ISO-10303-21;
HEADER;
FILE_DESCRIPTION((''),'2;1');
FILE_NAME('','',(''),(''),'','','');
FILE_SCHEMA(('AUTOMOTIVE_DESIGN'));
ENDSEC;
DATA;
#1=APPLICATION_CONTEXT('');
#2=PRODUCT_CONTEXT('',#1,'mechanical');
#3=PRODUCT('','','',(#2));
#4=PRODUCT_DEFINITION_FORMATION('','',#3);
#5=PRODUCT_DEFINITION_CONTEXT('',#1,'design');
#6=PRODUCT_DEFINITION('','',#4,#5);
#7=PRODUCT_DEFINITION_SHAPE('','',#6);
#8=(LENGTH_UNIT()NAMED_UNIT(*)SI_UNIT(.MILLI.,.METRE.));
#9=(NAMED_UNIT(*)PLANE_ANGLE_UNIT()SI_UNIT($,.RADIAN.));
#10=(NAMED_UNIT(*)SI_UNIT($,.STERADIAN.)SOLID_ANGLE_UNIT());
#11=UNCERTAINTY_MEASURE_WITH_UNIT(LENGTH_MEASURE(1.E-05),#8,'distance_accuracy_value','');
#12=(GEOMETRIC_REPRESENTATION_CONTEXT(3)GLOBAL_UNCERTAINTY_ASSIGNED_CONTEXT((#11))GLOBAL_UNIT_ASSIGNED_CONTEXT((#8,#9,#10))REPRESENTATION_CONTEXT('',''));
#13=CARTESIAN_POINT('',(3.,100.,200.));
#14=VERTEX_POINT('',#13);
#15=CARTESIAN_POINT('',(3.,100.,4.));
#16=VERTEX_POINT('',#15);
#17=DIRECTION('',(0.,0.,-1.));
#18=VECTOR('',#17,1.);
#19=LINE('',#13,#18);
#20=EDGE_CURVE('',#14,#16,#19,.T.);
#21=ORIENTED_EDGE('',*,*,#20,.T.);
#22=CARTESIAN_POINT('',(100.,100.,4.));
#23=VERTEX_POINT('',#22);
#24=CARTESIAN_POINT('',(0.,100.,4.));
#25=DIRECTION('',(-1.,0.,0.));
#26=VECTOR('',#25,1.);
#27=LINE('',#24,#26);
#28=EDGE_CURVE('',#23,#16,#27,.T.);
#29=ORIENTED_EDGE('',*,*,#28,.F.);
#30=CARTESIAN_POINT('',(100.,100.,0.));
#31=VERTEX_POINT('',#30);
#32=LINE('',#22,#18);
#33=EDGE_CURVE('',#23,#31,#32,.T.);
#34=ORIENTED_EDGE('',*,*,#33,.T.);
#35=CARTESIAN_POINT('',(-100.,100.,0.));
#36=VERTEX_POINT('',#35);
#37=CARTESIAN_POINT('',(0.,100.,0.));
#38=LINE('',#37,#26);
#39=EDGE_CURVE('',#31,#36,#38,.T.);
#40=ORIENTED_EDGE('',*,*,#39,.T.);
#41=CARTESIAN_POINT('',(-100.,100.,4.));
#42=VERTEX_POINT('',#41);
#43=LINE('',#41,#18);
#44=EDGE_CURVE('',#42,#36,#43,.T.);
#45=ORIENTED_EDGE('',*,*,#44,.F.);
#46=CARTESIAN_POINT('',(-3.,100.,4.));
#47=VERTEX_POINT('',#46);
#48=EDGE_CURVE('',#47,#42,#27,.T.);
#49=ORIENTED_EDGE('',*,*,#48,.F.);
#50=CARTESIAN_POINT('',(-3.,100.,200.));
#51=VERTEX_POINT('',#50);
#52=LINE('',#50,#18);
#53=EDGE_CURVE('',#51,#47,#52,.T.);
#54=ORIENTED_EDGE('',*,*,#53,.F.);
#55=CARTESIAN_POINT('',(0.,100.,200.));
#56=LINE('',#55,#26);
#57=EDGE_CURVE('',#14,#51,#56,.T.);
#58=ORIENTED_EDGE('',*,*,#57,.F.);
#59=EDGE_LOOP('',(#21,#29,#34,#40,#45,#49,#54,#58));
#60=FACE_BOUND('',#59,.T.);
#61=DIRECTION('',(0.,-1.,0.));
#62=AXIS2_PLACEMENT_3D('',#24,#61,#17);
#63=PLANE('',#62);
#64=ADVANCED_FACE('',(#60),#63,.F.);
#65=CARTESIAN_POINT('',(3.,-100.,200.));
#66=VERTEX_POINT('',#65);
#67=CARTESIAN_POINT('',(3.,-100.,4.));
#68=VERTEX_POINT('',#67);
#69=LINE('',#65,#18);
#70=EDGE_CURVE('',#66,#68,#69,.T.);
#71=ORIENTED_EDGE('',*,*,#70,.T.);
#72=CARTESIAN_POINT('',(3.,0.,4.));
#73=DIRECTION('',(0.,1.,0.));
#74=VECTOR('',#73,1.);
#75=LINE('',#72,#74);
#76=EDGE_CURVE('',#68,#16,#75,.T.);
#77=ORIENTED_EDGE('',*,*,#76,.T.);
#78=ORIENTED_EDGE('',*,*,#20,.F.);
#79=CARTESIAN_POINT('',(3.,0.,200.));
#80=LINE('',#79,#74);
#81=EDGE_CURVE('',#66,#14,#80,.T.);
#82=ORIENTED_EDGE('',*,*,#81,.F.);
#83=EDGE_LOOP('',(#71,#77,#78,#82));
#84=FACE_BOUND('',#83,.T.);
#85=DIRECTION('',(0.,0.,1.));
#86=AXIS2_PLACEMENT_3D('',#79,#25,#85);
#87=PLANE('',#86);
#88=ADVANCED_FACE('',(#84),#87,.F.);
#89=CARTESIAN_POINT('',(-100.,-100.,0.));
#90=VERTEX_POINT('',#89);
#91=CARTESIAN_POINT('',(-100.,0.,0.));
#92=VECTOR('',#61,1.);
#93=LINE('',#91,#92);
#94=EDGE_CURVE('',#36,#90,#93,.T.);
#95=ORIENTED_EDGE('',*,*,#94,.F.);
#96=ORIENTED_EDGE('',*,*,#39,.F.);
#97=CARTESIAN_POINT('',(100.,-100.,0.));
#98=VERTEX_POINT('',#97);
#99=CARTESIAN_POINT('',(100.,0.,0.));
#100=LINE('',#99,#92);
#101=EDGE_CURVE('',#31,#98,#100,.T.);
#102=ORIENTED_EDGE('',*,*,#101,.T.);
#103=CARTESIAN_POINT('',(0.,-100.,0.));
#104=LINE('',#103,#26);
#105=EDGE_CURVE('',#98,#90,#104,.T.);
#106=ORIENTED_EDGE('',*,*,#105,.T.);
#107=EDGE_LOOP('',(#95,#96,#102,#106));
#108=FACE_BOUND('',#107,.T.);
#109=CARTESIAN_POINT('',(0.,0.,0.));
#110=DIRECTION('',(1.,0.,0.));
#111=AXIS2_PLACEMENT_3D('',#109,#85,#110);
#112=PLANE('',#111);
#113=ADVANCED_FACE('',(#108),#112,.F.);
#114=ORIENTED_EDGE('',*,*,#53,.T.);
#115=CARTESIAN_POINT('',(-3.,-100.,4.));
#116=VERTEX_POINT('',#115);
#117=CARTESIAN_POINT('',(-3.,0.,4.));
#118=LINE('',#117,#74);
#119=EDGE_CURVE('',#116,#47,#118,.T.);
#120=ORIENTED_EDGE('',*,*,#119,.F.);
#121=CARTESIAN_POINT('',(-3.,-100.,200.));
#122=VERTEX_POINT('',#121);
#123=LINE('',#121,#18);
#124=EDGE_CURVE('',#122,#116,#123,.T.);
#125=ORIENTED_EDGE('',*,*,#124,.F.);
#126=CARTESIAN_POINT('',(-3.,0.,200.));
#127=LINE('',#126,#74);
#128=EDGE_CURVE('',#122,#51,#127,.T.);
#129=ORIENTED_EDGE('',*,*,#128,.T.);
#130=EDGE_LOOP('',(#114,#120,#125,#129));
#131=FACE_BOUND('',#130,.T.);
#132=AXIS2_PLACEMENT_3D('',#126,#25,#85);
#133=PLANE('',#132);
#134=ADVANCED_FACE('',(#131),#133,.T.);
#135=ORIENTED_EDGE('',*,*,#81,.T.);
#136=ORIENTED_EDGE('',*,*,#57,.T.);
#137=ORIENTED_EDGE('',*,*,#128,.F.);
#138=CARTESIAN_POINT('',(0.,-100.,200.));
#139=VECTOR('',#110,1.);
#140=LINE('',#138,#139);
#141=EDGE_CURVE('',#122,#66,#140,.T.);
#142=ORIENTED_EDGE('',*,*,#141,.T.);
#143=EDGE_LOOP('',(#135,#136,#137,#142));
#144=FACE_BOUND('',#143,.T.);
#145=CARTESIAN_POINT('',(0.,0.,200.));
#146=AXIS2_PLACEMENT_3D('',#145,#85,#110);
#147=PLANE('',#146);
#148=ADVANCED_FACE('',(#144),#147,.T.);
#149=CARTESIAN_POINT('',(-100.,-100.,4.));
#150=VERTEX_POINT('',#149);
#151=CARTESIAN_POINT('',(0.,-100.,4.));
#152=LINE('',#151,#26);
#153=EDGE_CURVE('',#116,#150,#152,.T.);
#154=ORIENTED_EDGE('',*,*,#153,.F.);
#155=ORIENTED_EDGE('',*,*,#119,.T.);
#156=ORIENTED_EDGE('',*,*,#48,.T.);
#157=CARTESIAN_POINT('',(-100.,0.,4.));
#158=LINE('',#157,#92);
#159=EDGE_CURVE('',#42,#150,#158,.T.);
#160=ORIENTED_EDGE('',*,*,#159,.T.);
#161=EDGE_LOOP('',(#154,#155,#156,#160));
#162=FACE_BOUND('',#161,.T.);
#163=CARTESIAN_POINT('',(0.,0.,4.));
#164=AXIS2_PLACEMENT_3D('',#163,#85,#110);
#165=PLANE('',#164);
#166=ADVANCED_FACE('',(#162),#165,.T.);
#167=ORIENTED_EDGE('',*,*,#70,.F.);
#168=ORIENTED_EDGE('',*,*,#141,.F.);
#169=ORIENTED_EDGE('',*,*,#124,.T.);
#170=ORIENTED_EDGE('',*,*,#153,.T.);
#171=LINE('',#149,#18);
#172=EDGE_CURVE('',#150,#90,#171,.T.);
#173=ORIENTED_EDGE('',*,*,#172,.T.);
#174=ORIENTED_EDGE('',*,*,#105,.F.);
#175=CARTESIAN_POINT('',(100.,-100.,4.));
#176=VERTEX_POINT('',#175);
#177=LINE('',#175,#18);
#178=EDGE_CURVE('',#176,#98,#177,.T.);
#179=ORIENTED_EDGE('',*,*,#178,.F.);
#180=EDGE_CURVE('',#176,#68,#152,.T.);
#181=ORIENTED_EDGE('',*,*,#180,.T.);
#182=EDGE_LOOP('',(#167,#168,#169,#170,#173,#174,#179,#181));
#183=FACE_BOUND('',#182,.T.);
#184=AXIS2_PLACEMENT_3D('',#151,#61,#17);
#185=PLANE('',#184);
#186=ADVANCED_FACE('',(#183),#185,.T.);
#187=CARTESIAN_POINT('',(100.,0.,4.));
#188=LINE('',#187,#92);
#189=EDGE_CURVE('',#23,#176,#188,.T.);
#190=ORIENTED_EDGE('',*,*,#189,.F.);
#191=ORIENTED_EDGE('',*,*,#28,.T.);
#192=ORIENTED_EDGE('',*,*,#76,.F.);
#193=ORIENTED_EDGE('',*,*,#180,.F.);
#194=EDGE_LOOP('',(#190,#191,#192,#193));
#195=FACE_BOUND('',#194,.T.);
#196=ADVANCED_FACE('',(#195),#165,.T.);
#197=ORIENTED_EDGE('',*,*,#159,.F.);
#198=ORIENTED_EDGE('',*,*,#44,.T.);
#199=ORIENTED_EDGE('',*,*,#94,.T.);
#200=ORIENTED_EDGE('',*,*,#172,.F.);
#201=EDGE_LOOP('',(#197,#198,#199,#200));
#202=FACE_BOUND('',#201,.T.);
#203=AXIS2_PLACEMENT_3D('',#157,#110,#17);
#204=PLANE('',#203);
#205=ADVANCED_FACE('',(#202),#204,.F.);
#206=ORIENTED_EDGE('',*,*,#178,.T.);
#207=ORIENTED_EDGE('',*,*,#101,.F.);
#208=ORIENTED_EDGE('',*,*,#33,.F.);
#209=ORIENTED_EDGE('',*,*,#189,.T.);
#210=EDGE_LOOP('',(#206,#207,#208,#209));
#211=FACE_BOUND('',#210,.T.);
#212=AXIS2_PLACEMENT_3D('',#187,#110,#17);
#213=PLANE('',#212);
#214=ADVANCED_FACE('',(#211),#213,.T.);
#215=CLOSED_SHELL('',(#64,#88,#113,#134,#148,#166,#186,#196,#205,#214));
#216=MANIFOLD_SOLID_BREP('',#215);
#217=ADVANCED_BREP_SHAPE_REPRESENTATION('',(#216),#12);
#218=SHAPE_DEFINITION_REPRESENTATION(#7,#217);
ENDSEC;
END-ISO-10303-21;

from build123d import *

# Parameters (mm, degrees)
SZKIC1_W                    = 100
SZKIC1_H                    = 100
DODANIE_WYCI_GNI_CIE1_DEPTH = 4
SZKIC2_W                    = 3
SZKIC2_H                    = 100
DODANIE_WYCI_GNI_CIE2_DEPTH = 196


with BuildPart() as part:
    # Szkic1 → Dodanie-wyciągnięcie1 (new body)
    with BuildSketch(Plane.XY):
        with Locations((-50, 50)):
            Rectangle(SZKIC1_W, SZKIC1_H)
        with Locations((50, 50)):
            Rectangle(SZKIC1_W, SZKIC1_H)
        with Locations((50, -50)):
            Rectangle(SZKIC1_W, SZKIC1_H)
        with Locations((-50, -50)):
            Rectangle(SZKIC1_W, SZKIC1_H)
    extrude(amount=DODANIE_WYCI_GNI_CIE1_DEPTH)

    # Szkic2 → Dodanie-wyciągnięcie2 (add)
    with BuildSketch(Plane.XY.offset(4)):
        with Locations((-1.5, 50)):
            Rectangle(SZKIC2_W, SZKIC2_H)
        with Locations((1.5, 50)):
            Rectangle(SZKIC2_W, SZKIC2_H)
        with Locations((-1.5, -50)):
            Rectangle(SZKIC2_W, SZKIC2_H)
        with Locations((1.5, -50)):
            Rectangle(SZKIC2_W, SZKIC2_H)
    extrude(amount=DODANIE_WYCI_GNI_CIE2_DEPTH)


solid = part.part
